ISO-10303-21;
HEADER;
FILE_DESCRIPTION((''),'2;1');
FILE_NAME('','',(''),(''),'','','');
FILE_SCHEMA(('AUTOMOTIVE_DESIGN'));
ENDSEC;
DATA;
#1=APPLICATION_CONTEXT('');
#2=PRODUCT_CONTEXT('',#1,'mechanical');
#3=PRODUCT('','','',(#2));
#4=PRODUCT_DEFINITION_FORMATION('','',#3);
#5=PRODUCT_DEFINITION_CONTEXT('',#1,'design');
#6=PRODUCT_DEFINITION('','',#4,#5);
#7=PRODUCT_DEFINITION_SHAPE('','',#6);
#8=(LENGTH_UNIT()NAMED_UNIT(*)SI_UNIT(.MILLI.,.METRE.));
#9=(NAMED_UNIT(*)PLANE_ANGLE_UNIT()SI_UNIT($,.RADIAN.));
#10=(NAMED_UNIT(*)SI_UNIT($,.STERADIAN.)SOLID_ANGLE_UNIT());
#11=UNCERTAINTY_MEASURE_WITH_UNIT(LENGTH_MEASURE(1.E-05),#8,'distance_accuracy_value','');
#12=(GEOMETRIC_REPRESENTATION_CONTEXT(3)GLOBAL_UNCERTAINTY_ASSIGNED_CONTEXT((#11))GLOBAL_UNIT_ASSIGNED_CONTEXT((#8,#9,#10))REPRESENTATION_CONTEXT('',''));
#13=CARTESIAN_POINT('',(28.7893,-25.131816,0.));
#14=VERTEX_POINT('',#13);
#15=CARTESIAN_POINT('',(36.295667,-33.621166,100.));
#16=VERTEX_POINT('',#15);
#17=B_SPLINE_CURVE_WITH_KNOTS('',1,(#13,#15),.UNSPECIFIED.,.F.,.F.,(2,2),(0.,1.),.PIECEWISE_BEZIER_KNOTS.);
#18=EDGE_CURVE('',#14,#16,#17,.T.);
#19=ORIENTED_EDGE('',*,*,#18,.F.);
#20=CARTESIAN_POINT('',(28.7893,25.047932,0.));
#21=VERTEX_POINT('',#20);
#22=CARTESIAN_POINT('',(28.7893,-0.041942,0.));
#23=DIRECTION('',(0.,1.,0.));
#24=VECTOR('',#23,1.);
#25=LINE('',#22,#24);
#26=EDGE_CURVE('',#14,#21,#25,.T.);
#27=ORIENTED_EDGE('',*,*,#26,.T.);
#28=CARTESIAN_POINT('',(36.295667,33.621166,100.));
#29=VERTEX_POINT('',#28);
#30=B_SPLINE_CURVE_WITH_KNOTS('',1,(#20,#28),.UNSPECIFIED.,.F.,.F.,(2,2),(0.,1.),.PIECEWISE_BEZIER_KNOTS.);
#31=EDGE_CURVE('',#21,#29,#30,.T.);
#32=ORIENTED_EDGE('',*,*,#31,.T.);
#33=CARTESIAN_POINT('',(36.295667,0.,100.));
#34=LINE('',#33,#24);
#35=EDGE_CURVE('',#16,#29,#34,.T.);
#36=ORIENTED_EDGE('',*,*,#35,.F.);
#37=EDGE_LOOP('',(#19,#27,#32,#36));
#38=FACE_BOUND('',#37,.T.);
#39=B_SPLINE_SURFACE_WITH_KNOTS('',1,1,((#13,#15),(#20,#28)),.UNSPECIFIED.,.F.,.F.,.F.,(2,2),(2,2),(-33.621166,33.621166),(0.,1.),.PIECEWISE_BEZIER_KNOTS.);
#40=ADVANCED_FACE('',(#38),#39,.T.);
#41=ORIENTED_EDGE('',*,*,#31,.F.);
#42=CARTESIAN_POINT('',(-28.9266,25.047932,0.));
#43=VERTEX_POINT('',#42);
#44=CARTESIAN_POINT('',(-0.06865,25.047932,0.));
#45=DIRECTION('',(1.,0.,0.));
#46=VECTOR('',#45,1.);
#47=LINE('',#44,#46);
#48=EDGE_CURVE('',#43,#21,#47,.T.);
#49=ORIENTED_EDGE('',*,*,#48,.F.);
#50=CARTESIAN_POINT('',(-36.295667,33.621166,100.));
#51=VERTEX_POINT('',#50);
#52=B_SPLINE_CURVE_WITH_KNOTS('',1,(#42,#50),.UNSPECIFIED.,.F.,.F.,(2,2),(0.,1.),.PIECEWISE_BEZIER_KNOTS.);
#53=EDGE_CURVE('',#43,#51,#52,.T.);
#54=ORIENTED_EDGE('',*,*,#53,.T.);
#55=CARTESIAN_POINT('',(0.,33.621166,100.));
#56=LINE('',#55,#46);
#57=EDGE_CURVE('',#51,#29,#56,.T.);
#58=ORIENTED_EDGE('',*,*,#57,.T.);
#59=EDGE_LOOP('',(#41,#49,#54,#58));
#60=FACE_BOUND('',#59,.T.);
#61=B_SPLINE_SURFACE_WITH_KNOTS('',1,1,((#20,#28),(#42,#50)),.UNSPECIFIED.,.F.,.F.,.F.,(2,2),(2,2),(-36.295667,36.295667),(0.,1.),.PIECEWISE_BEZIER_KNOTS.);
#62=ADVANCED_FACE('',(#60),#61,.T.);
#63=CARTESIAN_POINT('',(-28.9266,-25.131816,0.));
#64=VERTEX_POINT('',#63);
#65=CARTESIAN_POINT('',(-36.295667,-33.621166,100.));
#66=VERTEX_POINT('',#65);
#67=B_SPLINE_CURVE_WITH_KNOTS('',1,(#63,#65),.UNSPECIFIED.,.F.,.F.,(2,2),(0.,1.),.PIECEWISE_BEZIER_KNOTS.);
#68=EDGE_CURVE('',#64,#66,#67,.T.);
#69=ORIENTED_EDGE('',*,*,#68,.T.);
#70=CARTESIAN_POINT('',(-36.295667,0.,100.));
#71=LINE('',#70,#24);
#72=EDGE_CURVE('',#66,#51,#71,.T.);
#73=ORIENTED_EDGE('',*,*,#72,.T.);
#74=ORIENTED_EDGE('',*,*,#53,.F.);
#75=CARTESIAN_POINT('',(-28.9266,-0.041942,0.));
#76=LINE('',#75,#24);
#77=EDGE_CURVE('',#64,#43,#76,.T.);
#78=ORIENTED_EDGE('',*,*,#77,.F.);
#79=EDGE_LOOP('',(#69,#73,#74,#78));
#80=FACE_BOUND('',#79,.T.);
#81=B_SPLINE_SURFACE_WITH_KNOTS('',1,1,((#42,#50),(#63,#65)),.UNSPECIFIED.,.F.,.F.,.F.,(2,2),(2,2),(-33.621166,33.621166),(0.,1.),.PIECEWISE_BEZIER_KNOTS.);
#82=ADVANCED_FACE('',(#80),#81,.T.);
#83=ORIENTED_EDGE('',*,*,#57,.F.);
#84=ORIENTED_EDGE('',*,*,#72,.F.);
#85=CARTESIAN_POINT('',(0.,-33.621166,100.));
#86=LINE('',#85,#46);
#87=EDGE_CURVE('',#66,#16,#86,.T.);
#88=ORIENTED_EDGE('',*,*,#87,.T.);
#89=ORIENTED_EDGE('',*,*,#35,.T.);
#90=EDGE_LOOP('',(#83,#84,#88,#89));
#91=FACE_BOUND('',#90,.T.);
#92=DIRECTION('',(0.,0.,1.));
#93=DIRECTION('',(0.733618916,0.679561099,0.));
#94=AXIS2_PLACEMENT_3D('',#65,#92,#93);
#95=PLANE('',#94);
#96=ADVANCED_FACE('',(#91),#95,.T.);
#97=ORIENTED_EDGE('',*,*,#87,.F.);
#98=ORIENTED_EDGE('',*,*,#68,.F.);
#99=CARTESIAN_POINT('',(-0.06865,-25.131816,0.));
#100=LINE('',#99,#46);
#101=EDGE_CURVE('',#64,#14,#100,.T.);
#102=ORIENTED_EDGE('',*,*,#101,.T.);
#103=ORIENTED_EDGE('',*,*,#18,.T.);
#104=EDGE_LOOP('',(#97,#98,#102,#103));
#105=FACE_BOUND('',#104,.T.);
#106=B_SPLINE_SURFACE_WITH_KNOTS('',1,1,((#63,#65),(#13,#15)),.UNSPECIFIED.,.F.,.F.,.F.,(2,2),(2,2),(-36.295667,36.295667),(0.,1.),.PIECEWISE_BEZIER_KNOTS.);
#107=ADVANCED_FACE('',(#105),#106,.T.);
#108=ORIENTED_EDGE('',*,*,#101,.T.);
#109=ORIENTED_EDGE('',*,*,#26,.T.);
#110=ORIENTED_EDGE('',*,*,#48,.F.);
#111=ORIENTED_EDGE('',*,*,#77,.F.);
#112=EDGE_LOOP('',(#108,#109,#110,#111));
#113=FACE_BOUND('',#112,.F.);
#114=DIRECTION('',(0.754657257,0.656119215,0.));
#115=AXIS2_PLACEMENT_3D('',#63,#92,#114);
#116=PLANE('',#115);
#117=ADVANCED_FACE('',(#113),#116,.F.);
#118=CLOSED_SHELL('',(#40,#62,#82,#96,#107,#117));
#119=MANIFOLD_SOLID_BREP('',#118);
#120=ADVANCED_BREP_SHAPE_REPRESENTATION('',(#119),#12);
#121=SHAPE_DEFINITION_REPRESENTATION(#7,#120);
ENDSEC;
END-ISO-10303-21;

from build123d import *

# Parameters (mm, degrees)
F1_W = 57.7159
F1_H = 50.179748
F2_W = 72.591334
F2_H = 67.242332


with BuildPart() as f3:
    # F1 (on Top) → F3 section 0
    with BuildSketch(Plane.XY):
        with Locations((-0.06865, -0.041942)):
            Rectangle(F1_W, F1_H)
    # F2 (on offset) → F3 section 1
    with BuildSketch(Plane.XY.offset(100)):
        Rectangle(F2_W, F2_H)
    loft()


solid = f3.part
